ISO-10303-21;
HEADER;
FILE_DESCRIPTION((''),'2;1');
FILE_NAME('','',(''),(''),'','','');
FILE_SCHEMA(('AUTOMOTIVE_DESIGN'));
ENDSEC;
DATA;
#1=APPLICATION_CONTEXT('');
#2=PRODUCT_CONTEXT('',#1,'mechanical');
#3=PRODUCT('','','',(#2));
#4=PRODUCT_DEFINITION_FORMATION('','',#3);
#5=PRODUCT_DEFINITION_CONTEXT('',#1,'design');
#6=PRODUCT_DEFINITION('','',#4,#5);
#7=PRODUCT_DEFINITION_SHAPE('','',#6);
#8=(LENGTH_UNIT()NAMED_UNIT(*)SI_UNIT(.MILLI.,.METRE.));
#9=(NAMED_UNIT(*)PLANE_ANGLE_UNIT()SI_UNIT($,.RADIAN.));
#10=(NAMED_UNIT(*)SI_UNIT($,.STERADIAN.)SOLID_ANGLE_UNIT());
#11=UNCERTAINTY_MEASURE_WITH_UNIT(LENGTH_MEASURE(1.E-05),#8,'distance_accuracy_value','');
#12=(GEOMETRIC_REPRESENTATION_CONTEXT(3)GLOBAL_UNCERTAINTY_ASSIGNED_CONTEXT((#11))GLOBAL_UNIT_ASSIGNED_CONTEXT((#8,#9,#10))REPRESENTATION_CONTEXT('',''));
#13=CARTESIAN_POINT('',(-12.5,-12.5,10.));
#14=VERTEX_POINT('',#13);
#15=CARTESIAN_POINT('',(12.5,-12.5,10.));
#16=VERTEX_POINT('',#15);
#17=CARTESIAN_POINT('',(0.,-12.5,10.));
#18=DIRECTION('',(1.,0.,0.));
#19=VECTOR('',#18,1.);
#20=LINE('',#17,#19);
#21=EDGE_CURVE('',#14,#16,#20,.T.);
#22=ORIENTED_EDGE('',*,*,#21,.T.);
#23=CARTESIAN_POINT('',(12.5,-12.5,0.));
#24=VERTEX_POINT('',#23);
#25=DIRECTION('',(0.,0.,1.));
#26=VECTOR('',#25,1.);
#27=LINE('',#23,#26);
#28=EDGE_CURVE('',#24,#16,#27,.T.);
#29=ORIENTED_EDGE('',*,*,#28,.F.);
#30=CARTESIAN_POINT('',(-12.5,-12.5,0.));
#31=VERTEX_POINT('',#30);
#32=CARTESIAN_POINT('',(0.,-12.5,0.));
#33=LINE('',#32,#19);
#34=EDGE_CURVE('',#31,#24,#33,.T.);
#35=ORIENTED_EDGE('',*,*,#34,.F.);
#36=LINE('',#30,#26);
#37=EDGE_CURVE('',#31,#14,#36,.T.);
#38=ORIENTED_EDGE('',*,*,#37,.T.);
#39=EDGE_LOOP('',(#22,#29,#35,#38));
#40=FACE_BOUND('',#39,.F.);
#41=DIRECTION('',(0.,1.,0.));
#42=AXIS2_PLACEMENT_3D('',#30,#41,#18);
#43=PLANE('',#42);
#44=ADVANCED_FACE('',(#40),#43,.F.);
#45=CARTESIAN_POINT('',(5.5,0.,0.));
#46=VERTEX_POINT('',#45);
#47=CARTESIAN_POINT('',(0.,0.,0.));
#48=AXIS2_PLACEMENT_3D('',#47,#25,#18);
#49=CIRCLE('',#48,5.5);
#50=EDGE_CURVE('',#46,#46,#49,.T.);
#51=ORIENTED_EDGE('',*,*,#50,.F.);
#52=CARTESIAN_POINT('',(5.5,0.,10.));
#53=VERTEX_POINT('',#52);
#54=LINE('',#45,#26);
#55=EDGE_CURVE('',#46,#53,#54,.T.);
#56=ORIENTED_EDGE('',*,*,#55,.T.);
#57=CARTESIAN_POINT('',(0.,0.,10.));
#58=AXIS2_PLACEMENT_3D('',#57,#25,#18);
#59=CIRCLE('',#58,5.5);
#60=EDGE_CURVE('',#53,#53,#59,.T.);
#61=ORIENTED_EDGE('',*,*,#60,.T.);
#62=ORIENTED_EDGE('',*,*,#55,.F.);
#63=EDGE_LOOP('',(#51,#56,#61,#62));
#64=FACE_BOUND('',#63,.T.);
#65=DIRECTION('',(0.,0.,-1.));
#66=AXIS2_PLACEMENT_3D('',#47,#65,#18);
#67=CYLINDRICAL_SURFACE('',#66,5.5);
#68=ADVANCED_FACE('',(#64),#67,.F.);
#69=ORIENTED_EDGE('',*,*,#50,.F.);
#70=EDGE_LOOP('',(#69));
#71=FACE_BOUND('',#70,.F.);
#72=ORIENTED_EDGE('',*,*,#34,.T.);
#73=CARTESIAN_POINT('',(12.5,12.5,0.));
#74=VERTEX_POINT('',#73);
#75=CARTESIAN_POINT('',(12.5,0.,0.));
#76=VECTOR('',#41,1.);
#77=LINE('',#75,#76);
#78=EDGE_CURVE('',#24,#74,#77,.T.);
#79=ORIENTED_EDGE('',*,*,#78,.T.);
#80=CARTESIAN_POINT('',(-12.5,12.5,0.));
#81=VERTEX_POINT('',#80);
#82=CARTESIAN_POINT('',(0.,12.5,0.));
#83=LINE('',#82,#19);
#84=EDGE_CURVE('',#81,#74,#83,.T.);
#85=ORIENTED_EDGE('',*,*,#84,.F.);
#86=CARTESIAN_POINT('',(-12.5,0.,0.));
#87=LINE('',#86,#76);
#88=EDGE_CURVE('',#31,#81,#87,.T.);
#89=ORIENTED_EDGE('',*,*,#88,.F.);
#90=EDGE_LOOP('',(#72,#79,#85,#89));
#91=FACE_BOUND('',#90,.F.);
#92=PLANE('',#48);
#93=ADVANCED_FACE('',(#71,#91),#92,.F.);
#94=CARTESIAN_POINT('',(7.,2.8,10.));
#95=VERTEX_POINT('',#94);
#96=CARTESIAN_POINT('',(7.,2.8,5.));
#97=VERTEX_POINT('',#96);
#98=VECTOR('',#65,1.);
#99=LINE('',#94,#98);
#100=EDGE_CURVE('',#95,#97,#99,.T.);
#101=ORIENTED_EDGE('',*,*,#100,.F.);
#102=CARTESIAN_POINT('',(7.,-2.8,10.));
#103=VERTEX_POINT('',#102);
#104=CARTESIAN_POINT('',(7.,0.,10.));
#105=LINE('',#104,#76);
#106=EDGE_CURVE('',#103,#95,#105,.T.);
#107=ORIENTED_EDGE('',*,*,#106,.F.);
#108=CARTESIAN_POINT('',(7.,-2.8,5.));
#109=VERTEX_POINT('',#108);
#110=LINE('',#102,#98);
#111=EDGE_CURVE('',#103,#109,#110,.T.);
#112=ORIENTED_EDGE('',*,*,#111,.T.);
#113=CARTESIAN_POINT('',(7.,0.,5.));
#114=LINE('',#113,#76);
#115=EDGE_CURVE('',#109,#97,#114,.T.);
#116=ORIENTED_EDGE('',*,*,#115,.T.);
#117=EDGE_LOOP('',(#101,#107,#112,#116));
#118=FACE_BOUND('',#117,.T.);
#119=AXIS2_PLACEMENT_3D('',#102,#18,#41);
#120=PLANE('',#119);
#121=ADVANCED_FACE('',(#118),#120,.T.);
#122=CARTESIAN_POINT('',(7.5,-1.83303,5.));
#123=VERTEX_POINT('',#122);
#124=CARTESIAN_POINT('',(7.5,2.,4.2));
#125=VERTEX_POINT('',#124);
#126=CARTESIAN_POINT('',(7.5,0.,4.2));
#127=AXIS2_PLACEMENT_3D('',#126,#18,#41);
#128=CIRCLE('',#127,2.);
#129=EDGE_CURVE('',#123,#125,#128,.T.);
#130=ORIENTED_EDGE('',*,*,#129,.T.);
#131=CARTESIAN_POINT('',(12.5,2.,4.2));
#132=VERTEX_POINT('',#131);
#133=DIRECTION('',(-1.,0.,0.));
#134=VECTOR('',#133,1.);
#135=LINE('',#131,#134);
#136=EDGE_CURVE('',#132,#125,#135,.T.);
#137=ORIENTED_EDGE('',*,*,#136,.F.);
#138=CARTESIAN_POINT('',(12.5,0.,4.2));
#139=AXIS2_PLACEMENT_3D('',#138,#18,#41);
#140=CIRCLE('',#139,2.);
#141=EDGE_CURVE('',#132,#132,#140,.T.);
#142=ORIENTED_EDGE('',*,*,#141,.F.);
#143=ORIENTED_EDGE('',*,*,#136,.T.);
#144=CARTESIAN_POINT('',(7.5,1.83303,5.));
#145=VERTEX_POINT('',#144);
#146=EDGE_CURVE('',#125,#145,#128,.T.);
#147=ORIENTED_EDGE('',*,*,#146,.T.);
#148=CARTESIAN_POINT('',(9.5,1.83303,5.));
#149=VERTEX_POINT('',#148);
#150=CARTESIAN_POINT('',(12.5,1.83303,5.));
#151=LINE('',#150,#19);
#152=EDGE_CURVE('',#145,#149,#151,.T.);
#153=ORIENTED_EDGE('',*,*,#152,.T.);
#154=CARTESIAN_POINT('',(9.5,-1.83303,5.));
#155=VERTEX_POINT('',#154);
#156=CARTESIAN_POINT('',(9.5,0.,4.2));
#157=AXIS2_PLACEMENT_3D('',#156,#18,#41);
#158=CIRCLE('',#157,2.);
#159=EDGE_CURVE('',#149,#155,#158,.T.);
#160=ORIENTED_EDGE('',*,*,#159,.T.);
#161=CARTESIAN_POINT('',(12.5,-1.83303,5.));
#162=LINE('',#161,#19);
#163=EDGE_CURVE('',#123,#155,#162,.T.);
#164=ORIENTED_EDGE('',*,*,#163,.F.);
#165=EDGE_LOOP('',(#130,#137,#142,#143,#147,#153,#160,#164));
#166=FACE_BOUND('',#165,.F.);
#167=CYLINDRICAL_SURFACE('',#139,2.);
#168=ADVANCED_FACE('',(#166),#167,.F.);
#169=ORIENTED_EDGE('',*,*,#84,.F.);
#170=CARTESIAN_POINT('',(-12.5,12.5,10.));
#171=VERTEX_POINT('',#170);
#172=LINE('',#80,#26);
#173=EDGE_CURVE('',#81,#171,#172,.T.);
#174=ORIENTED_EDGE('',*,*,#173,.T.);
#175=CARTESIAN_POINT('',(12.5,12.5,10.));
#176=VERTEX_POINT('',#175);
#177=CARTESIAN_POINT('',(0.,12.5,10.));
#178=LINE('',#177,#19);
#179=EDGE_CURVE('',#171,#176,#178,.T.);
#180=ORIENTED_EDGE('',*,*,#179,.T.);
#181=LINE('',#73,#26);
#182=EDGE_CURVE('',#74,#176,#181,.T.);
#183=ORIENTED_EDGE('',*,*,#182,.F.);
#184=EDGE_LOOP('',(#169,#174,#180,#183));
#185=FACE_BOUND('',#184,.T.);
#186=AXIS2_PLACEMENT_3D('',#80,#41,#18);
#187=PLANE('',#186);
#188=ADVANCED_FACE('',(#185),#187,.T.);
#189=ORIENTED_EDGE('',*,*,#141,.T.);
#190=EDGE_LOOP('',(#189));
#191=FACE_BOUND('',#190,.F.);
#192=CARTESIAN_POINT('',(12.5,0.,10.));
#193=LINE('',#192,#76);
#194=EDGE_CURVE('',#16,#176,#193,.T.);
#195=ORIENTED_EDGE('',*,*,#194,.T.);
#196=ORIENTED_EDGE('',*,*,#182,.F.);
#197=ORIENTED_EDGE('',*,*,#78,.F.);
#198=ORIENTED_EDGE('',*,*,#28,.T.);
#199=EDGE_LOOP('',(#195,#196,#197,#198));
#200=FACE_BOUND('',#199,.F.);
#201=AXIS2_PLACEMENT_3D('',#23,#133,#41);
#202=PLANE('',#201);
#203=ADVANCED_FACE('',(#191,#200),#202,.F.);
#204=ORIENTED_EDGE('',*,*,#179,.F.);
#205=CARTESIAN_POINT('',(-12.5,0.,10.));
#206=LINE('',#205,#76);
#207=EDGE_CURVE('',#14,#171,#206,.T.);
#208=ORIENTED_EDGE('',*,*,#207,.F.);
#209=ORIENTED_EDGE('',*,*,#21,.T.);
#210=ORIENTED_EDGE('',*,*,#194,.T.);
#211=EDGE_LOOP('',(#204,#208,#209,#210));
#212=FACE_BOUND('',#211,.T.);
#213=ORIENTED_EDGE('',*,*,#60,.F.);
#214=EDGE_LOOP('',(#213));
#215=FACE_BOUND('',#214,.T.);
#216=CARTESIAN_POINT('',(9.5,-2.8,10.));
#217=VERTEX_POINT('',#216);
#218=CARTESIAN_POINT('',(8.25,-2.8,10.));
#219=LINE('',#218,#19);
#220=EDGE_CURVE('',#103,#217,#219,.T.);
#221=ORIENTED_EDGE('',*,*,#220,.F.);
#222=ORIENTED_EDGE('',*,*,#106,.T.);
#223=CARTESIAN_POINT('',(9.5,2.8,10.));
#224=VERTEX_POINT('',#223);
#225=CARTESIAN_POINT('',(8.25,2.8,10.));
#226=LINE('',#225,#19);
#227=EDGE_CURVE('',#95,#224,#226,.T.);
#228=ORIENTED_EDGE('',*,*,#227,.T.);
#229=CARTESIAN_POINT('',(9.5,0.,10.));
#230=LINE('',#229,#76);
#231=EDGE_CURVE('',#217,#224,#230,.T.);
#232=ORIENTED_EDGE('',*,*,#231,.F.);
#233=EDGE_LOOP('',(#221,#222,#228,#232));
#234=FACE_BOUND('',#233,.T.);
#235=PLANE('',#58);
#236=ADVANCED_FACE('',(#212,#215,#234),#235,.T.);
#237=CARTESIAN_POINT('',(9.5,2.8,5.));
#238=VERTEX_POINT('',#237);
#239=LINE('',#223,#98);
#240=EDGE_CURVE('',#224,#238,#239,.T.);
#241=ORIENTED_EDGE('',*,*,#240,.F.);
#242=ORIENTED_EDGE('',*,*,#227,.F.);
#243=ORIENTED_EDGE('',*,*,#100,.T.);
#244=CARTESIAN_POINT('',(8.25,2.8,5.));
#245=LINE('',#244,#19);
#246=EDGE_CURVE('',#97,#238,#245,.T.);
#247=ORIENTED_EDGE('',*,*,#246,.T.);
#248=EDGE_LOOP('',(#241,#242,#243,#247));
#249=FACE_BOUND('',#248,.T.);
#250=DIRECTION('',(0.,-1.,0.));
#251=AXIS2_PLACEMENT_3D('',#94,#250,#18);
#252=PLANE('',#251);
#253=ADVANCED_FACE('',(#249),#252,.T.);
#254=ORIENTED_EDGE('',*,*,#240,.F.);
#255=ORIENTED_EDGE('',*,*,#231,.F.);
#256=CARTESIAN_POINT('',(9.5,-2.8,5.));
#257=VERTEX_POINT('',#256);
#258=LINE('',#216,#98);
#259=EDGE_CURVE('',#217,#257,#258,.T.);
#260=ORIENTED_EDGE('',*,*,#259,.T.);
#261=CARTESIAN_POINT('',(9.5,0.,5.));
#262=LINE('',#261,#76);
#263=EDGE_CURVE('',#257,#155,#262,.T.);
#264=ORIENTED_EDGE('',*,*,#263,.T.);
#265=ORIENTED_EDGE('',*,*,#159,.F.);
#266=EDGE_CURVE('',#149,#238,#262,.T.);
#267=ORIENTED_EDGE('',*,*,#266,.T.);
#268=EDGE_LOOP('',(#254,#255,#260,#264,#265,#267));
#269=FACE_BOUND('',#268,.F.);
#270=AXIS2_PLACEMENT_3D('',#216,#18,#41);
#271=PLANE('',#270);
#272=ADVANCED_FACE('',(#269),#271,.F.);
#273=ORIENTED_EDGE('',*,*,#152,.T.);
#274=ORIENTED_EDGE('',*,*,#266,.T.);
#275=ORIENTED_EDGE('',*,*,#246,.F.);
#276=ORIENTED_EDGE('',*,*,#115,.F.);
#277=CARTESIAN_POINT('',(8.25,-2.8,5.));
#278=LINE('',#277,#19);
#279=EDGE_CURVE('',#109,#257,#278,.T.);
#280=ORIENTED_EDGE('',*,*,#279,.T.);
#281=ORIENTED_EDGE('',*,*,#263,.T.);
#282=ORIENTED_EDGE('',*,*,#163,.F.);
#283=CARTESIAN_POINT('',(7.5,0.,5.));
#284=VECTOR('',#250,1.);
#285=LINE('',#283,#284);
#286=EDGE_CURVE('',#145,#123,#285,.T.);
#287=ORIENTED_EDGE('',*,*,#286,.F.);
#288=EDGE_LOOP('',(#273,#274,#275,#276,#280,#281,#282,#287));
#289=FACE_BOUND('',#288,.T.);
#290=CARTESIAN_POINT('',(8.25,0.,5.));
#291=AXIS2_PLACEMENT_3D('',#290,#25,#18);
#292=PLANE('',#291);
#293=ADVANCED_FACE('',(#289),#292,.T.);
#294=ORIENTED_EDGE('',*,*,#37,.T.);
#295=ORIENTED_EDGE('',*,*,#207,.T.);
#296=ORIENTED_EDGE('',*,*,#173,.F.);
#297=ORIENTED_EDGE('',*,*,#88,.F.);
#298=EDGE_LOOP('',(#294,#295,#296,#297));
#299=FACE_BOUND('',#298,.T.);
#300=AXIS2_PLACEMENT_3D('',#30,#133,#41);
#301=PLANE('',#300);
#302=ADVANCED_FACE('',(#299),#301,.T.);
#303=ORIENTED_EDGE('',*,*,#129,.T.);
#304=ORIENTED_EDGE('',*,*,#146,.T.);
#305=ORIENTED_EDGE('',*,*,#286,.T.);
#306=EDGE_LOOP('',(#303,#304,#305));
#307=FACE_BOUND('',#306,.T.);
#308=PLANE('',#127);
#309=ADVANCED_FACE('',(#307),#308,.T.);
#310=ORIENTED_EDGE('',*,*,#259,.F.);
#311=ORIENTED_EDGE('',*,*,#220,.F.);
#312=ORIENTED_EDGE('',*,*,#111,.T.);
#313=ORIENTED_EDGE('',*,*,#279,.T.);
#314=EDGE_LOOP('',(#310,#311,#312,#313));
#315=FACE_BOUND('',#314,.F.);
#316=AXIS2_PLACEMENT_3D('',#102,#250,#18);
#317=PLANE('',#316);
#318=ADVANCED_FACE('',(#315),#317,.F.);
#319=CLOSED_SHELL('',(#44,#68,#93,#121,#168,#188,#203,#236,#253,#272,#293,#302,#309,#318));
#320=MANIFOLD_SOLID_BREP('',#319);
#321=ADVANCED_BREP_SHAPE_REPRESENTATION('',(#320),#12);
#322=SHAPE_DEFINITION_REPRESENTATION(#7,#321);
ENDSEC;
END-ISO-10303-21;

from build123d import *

# Parameters (mm, degrees)
SKETCH_W        = 25
SKETCH_H        = 25
SKETCH_R        = 5.5
PAD_DEPTH       = 10
SKETCH001_R     = 2
POCKET_DEPTH    = 5
SKETCH002_W     = 2.5
SKETCH002_H     = 5.6
POCKET001_DEPTH = 5


with BuildPart() as part:
    # Sketch → Pad (new body)
    with BuildSketch(Plane.XY):
        Rectangle(SKETCH_W, SKETCH_H)
        Circle(SKETCH_R, mode=Mode.SUBTRACT)
    extrude(amount=PAD_DEPTH)

    # Sketch001 (on Face1 of Pad) → Pocket (cut)
    with BuildSketch(Plane.YZ.offset(12.5)):
        with Locations((0, 4.2)):
            Circle(SKETCH001_R)
    extrude(amount=-POCKET_DEPTH, mode=Mode.SUBTRACT)

    # Sketch002 (on Face4 of Pocket) → Pocket001 (cut)
    with BuildSketch(Plane.XY.offset(10)):
        with Locations((8.25, 0)):
            Rectangle(SKETCH002_W, SKETCH002_H)
    extrude(amount=-POCKET001_DEPTH, mode=Mode.SUBTRACT)


solid = part.part
